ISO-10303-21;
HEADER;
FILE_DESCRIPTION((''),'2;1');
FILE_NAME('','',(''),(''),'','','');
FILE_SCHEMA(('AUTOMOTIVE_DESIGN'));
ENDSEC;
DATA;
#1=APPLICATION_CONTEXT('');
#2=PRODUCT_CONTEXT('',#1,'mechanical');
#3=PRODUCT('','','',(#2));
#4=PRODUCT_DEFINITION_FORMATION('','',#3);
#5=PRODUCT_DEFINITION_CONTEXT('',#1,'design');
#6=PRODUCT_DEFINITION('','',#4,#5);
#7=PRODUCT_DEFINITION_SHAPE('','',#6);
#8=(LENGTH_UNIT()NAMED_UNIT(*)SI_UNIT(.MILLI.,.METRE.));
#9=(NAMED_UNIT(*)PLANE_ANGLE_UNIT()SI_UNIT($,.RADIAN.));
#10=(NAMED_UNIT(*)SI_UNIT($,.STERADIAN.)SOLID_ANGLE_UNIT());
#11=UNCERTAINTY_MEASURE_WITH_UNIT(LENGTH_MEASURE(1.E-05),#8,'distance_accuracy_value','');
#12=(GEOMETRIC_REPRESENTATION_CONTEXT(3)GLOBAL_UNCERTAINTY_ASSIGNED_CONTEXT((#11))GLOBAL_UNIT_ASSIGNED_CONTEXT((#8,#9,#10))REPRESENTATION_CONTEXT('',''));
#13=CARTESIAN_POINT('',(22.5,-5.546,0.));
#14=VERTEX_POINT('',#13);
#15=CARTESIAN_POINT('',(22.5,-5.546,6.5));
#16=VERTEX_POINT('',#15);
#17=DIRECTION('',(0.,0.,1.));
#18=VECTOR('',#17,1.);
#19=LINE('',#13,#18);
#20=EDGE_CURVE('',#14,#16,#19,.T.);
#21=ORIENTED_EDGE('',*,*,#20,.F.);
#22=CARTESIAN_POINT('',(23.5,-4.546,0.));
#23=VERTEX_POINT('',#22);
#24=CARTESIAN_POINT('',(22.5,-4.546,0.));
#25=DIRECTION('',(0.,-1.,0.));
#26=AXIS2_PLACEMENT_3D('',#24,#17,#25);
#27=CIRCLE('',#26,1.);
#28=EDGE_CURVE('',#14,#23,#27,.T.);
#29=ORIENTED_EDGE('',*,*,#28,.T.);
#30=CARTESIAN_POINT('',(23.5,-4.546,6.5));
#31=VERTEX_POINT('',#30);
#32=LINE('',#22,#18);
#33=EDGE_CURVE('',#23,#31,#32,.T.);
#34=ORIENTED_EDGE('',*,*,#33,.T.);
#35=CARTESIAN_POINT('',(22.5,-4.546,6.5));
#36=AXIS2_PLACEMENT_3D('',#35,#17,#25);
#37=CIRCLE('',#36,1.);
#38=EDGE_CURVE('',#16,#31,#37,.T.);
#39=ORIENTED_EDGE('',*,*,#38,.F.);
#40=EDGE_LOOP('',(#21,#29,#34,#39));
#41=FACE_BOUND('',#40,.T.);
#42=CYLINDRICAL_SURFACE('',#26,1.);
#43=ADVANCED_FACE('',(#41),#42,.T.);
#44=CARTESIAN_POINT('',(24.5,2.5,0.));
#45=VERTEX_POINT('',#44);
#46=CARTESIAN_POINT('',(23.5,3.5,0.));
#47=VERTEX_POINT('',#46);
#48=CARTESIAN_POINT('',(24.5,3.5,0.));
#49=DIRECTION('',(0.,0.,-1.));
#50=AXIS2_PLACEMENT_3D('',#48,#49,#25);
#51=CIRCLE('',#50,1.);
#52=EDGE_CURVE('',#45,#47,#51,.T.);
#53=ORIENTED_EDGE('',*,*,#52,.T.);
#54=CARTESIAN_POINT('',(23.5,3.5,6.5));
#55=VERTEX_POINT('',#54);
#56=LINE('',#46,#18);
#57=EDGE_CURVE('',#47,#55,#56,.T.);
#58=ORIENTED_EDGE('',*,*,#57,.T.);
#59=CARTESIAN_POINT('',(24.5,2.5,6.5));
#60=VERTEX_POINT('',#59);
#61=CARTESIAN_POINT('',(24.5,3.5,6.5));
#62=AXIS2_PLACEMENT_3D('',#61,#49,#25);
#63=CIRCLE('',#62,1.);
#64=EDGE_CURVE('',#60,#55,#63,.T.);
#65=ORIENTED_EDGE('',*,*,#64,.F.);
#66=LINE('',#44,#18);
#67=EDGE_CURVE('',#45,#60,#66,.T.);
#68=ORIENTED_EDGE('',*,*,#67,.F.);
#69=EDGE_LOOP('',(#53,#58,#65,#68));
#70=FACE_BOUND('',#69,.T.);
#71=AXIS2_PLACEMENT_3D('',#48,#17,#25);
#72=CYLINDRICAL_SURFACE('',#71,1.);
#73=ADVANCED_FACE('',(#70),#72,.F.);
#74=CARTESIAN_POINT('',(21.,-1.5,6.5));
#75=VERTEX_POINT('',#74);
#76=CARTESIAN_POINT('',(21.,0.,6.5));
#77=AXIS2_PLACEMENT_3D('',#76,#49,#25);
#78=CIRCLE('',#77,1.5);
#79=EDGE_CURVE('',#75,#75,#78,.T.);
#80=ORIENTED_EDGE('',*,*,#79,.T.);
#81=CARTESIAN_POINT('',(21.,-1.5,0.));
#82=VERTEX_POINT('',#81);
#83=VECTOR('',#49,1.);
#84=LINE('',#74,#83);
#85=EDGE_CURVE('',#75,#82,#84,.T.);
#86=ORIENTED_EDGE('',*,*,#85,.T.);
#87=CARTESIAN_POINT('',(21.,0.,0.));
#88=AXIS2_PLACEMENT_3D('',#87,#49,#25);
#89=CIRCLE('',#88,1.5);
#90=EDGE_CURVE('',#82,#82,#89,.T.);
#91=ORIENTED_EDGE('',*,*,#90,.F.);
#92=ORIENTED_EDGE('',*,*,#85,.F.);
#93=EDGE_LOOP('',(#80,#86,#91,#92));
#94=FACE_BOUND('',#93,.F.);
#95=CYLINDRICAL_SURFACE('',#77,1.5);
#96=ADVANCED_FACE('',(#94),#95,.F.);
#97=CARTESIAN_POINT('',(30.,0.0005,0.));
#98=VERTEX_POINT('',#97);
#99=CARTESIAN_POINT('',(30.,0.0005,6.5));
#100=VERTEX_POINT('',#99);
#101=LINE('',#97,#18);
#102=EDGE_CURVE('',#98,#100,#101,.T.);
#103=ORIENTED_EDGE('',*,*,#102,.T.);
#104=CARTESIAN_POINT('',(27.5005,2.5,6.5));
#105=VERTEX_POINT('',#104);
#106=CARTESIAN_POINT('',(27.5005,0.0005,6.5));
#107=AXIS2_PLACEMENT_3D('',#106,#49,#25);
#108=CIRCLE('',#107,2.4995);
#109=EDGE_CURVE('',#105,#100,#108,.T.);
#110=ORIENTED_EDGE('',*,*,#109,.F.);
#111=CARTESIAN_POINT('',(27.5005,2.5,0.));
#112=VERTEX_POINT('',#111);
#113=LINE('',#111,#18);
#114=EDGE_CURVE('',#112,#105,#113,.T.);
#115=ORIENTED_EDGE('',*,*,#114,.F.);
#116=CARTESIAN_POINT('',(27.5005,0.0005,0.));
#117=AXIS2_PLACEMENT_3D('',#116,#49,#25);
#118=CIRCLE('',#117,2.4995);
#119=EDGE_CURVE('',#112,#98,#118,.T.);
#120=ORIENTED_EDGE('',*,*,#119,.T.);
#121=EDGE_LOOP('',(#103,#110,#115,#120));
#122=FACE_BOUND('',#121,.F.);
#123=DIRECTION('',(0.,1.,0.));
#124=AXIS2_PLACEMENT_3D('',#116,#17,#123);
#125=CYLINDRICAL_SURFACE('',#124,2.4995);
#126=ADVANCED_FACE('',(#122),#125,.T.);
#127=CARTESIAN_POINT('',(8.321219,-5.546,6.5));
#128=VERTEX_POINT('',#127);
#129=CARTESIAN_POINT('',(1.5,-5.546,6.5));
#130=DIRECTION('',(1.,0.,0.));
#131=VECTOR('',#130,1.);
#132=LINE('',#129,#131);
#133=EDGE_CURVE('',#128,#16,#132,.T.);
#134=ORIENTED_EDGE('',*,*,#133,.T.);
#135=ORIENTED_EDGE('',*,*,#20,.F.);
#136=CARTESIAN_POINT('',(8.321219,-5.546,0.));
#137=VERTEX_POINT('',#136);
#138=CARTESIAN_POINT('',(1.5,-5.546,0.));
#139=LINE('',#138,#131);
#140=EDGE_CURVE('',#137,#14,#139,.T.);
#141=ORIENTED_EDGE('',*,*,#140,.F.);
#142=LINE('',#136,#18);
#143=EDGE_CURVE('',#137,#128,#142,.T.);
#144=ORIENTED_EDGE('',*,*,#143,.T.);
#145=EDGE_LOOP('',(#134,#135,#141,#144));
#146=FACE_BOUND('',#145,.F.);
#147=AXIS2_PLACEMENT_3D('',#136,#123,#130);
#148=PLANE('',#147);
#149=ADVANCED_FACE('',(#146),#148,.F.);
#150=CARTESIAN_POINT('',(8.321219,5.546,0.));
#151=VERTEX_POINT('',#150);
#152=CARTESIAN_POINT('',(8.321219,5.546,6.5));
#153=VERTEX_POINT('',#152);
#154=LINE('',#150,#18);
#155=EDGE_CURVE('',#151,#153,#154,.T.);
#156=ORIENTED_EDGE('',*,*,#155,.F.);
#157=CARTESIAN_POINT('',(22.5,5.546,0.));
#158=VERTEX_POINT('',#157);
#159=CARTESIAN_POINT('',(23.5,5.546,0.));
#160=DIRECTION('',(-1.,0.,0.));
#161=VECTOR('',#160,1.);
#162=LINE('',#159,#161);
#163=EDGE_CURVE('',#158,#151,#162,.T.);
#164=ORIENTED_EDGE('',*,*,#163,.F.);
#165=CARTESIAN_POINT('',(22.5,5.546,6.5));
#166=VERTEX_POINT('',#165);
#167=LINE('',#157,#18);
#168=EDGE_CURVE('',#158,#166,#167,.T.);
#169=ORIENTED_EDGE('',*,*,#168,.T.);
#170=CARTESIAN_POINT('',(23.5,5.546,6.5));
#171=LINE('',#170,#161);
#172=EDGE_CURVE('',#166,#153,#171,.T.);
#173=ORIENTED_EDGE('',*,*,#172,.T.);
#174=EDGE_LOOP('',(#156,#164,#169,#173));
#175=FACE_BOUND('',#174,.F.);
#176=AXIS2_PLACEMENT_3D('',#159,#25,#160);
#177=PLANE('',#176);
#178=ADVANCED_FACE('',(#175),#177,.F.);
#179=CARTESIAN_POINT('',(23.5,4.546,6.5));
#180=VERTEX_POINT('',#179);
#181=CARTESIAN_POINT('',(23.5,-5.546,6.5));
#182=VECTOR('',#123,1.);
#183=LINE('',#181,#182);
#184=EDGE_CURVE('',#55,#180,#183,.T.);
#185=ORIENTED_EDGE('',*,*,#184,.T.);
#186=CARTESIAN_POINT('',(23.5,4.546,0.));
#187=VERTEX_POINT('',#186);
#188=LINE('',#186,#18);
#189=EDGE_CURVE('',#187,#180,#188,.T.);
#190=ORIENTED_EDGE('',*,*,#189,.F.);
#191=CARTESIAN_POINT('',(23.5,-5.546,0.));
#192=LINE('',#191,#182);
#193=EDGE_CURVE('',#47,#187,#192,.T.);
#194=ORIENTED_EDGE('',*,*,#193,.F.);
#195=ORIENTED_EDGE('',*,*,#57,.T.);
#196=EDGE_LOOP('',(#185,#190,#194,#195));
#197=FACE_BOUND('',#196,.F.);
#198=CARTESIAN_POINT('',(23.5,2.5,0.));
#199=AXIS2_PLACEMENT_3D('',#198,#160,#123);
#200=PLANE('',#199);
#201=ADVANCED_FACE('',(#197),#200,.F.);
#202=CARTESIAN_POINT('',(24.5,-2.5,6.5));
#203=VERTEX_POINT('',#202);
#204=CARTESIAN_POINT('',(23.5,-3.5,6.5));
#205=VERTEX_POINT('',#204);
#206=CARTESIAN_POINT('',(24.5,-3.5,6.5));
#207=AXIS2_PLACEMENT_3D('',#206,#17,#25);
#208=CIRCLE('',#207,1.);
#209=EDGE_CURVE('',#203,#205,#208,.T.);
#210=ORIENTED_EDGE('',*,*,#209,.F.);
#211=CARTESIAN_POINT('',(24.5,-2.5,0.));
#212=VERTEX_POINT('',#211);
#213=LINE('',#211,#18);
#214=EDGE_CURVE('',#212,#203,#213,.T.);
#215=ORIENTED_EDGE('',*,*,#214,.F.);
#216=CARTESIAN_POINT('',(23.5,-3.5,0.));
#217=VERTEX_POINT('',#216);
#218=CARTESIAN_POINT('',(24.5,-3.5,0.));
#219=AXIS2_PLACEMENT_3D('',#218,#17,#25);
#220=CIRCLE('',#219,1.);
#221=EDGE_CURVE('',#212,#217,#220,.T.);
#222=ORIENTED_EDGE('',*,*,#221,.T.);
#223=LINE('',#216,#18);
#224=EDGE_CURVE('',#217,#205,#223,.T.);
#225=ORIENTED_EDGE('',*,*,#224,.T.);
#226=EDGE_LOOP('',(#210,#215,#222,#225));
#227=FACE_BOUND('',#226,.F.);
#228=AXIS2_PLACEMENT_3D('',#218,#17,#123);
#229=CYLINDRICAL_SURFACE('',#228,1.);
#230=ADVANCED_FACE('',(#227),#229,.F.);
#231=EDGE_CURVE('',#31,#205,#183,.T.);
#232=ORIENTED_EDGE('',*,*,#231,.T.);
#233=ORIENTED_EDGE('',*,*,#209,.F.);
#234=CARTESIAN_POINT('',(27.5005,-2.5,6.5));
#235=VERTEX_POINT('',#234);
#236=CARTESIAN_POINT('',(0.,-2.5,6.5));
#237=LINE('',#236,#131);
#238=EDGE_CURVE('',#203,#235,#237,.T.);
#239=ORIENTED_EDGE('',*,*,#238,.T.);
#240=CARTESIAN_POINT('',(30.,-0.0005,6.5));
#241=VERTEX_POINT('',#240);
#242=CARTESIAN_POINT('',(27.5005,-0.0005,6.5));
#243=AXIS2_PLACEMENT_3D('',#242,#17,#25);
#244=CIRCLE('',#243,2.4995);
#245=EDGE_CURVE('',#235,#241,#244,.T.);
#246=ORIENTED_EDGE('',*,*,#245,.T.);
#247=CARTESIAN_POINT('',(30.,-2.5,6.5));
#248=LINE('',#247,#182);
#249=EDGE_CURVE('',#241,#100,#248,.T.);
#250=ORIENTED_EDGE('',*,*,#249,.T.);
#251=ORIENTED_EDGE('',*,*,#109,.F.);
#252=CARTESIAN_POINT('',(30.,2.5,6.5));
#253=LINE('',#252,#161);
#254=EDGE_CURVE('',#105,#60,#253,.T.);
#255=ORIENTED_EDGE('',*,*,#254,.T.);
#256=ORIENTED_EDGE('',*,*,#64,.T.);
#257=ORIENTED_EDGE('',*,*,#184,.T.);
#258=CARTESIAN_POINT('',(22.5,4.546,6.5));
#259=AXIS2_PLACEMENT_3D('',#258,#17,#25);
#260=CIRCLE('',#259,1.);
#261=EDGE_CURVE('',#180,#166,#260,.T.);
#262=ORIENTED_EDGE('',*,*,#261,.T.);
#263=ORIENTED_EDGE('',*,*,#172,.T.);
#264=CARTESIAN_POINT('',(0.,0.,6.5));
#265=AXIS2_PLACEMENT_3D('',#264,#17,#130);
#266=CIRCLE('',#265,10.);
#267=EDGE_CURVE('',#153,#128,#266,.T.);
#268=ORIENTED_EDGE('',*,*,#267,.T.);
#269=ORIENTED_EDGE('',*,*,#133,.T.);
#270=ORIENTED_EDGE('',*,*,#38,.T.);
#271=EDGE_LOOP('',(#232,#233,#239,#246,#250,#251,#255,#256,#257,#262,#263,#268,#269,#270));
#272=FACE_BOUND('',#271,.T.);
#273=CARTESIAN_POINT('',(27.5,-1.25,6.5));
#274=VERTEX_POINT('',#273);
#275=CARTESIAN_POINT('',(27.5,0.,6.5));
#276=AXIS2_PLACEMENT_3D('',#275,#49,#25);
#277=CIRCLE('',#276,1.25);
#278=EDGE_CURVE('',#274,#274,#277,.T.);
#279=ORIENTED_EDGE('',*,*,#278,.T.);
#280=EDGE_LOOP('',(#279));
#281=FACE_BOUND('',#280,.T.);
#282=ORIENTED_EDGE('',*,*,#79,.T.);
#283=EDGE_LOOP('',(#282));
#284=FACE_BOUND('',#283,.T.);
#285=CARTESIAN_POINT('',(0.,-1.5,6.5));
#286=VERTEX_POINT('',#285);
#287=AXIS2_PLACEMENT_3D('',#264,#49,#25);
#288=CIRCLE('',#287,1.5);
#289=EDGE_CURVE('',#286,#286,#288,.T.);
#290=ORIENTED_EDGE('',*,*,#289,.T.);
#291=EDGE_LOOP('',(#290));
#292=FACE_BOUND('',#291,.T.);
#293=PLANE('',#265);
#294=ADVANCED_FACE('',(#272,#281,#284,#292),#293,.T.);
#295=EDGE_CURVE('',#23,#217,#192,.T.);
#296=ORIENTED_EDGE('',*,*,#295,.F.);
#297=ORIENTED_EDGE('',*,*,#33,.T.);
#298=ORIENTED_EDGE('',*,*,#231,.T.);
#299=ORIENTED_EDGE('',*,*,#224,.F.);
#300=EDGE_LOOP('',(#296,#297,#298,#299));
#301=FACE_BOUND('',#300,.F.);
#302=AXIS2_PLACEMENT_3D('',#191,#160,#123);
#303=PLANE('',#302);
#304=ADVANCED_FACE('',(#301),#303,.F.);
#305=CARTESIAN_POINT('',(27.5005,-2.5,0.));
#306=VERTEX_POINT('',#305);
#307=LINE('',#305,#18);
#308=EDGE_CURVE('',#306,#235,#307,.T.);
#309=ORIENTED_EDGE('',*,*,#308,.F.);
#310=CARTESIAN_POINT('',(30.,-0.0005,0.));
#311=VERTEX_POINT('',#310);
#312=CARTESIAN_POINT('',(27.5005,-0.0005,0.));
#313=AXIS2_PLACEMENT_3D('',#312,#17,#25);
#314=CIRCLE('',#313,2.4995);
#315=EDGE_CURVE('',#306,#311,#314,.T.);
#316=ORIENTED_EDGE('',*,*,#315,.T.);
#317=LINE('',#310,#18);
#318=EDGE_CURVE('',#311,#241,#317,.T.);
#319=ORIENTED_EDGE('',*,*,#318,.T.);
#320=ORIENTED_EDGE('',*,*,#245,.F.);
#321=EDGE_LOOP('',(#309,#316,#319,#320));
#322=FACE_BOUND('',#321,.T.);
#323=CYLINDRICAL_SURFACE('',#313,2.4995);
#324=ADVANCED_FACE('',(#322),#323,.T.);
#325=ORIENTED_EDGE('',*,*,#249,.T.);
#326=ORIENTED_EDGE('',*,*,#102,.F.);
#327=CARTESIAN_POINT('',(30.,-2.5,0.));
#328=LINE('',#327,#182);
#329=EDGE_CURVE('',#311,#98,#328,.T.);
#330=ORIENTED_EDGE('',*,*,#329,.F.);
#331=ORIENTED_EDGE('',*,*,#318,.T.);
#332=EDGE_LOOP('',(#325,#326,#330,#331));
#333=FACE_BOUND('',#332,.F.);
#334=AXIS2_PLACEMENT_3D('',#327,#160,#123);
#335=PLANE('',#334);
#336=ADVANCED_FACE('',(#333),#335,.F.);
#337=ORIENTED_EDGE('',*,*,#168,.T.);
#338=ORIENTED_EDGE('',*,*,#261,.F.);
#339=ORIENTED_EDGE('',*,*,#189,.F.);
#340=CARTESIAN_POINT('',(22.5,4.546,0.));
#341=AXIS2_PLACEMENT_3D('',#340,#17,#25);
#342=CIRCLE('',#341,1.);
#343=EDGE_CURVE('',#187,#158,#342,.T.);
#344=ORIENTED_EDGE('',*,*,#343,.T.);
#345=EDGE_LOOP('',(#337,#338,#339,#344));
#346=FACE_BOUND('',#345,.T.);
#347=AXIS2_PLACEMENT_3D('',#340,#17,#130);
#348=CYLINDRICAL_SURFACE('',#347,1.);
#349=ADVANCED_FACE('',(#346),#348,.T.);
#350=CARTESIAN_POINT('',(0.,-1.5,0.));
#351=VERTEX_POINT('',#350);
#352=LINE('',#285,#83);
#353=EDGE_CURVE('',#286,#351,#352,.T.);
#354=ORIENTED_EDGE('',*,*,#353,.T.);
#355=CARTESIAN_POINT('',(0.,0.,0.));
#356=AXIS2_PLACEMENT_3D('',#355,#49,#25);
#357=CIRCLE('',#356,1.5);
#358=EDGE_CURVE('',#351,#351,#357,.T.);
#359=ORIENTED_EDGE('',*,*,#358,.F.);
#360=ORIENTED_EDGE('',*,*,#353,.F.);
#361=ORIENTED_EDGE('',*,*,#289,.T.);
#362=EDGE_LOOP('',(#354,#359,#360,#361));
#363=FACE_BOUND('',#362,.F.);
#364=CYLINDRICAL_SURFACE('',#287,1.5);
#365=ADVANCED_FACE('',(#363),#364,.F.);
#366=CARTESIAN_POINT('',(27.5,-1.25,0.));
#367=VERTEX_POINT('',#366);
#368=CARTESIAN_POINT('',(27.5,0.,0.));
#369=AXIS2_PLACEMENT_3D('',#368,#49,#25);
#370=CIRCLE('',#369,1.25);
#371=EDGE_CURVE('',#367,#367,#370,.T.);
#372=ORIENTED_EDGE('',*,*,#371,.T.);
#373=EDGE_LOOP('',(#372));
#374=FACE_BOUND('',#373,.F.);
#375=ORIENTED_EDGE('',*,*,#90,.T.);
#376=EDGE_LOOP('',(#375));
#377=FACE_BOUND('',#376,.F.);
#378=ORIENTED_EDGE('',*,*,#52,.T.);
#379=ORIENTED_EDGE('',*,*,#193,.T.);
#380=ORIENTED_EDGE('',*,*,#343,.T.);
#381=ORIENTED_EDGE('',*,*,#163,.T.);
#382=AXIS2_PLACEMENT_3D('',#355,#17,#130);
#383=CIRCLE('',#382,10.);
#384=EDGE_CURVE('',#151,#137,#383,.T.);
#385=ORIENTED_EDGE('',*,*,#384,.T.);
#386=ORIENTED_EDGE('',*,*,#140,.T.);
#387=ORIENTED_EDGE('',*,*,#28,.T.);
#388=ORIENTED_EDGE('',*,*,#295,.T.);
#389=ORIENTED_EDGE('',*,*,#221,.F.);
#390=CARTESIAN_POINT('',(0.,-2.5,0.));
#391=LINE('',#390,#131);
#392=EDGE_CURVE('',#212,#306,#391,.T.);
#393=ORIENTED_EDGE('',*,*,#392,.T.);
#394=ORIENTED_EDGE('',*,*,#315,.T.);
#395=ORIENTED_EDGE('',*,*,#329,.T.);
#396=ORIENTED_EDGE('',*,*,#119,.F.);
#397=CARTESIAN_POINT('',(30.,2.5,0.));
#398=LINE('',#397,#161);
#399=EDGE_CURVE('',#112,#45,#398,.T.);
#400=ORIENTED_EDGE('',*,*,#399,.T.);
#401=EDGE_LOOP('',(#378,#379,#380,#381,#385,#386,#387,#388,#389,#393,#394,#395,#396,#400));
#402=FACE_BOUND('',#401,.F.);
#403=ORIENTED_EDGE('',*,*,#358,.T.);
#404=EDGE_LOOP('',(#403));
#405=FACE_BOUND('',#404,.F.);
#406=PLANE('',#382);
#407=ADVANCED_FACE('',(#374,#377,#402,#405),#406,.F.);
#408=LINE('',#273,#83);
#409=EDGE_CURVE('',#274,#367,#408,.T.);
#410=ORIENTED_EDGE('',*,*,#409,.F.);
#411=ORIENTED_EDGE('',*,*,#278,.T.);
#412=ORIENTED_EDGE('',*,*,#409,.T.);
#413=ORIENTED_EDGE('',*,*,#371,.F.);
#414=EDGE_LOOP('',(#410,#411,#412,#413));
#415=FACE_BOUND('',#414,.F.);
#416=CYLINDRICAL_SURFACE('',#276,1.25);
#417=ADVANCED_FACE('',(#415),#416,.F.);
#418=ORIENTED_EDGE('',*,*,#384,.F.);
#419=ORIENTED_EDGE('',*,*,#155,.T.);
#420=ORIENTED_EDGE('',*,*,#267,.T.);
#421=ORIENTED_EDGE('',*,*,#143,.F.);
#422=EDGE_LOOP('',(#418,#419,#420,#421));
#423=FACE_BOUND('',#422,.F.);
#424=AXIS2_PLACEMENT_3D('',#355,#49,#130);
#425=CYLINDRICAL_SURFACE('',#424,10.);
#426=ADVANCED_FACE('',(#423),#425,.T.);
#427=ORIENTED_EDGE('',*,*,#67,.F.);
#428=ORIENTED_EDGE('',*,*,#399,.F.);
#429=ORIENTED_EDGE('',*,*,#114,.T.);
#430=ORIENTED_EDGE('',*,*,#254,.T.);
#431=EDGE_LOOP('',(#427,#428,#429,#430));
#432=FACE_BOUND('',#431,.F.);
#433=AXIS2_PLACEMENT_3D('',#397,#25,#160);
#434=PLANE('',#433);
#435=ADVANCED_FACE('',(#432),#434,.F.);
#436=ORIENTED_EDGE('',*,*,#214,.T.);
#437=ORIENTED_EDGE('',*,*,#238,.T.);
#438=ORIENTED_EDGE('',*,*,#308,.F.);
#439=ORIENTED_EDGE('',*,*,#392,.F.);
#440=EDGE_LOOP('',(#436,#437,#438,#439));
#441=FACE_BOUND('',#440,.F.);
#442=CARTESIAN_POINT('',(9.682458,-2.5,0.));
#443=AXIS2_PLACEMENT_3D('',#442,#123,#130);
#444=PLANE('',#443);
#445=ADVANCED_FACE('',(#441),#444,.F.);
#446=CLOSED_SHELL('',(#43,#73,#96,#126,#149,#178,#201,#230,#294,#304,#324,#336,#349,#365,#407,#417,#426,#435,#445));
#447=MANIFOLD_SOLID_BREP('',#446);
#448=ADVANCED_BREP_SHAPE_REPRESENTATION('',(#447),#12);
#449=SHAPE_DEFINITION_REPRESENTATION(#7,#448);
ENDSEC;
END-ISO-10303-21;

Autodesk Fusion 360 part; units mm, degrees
sketch "Sketch1" plane through (0, 0, 0) normal (0, 0, 1) x (1, 0, 0)
  circle A0 centre (0, 0) radius 10
extrude "Extrude1" add sketch "Sketch1" along normal blind 6.5
sketch "Sketch2" plane through (0, 0, 0) normal (0, 0, -1) x (1, 0, 0)
  circle A0 centre (0, 0) radius 10
  line L0 (0, 2.5) -> (30, 2.5)
  line L1 (30, 2.5) -> (30, -2.5)
  line L2 (30, -2.5) -> (0, -2.5)
  line L3 (0, -2.5) -> (0, 2.5)
  line L4 (0, 2.5) -> (30, -2.5) construction
  line L5 (30, 2.5) -> (0, -2.5) construction
  line L6 (15, 0) -> (0, 0) construction
  point P0 (15, 0)
  dimension "d19" = 5
  dimension "d20" = 30
extrude "Extrude2" add sketch "Sketch2" against normal up to surface (6.5 mm away) contours A0 L0 L1 L2
hole "Hole1" at (0, 0, 6.5) direction (0, 0, -1) diameter 3 end through all
fillet "Fillet1" radius 2.5 2 edges at (30, -2.5, 3.25) (30, 2.5, 3.25)
hole "Hole2" at (27.5, 0, 6.5) direction (0, 0, -1) diameter 2.5 end through all
sketch "Sketch4" plane through (0, 0, 0) normal (0, 0, -1) x (1, 0, 0)
  circle A0 centre (27.5, 0) radius 1.25
  circle A1 centre (0, 0) radius 1.5
  arc A2 (27.5, -2.5) -> (27.5, 2.5) centre (27.5, 0) ccw
  line L0 (27.5, 2.5) -> (9.6825, 2.5)
  arc A3 (9.6825, 2.5) -> (9.6825, -2.5) centre (0, 0) ccw
  line L1 (9.6825, -2.5) -> (27.5, -2.5)
  line L2 (1.5, 5.546) -> (23.5, 5.546)
  line L3 (23.5, 5.546) -> (23.5, -5.546)
  line L4 (23.5, -5.546) -> (1.5, -5.546)
  line L5 (1.5, -5.546) -> (1.5, 5.546)
  line L6 (1.5, 5.546) -> (23.5, -5.546) construction
  line L7 (23.5, 5.546) -> (1.5, -5.546) construction
  line L8 (12.5, 0) -> (23.5, 0) construction
  point P0 (12.5, 0)
  dimension "d35" = 4
extrude "Extrude4" add sketch "Sketch4" against normal up to surface (6.5 mm away) contours A3 L1 L3 L4 | L0 A3 L2 L3
sketch "Sketch6" plane through (0, 0, 6.5) normal (0, 0, 1) x (-1, 0, 0)
  line L0 (-23.5, 5.546) -> (-23.5, 2.5)
  line L1 (-23.5, 2.5) -> (-27.5, 2.5)
  arc A0 (-27.5, 2.5) -> (-27.5, -2.5) centre (-27.5, 0) ccw
  line L2 (-27.5, -2.5) -> (-23.5, -2.5)
  line L3 (-23.5, -2.5) -> (-23.5, -5.546)
  line L4 (-23.5, -5.546) -> (-8.3212, -5.546)
  arc A1 (-8.3212, -5.546) -> (-8.3212, 5.546) centre (0, 0) ccw
  line L5 (-8.3212, 5.546) -> (-23.5, 5.546)
  circle A2 centre (-27.5, 0) radius 1.25
  circle A3 centre (0, 0) radius 1.5
  circle A4 centre (-21, 0) radius 1
  dimension "d36" = 2.5
fillet "Fillet2" radius 1 4 edges at (23.5, 5.546, 3.25) (23.5, -5.546, 3.25) (23.5, 2.5, 3.25) (23.5, -2.5, 3.25)
hole "Hole4" at (21, 0, 6.5) direction (0, 0, -1) diameter 3 end through all
